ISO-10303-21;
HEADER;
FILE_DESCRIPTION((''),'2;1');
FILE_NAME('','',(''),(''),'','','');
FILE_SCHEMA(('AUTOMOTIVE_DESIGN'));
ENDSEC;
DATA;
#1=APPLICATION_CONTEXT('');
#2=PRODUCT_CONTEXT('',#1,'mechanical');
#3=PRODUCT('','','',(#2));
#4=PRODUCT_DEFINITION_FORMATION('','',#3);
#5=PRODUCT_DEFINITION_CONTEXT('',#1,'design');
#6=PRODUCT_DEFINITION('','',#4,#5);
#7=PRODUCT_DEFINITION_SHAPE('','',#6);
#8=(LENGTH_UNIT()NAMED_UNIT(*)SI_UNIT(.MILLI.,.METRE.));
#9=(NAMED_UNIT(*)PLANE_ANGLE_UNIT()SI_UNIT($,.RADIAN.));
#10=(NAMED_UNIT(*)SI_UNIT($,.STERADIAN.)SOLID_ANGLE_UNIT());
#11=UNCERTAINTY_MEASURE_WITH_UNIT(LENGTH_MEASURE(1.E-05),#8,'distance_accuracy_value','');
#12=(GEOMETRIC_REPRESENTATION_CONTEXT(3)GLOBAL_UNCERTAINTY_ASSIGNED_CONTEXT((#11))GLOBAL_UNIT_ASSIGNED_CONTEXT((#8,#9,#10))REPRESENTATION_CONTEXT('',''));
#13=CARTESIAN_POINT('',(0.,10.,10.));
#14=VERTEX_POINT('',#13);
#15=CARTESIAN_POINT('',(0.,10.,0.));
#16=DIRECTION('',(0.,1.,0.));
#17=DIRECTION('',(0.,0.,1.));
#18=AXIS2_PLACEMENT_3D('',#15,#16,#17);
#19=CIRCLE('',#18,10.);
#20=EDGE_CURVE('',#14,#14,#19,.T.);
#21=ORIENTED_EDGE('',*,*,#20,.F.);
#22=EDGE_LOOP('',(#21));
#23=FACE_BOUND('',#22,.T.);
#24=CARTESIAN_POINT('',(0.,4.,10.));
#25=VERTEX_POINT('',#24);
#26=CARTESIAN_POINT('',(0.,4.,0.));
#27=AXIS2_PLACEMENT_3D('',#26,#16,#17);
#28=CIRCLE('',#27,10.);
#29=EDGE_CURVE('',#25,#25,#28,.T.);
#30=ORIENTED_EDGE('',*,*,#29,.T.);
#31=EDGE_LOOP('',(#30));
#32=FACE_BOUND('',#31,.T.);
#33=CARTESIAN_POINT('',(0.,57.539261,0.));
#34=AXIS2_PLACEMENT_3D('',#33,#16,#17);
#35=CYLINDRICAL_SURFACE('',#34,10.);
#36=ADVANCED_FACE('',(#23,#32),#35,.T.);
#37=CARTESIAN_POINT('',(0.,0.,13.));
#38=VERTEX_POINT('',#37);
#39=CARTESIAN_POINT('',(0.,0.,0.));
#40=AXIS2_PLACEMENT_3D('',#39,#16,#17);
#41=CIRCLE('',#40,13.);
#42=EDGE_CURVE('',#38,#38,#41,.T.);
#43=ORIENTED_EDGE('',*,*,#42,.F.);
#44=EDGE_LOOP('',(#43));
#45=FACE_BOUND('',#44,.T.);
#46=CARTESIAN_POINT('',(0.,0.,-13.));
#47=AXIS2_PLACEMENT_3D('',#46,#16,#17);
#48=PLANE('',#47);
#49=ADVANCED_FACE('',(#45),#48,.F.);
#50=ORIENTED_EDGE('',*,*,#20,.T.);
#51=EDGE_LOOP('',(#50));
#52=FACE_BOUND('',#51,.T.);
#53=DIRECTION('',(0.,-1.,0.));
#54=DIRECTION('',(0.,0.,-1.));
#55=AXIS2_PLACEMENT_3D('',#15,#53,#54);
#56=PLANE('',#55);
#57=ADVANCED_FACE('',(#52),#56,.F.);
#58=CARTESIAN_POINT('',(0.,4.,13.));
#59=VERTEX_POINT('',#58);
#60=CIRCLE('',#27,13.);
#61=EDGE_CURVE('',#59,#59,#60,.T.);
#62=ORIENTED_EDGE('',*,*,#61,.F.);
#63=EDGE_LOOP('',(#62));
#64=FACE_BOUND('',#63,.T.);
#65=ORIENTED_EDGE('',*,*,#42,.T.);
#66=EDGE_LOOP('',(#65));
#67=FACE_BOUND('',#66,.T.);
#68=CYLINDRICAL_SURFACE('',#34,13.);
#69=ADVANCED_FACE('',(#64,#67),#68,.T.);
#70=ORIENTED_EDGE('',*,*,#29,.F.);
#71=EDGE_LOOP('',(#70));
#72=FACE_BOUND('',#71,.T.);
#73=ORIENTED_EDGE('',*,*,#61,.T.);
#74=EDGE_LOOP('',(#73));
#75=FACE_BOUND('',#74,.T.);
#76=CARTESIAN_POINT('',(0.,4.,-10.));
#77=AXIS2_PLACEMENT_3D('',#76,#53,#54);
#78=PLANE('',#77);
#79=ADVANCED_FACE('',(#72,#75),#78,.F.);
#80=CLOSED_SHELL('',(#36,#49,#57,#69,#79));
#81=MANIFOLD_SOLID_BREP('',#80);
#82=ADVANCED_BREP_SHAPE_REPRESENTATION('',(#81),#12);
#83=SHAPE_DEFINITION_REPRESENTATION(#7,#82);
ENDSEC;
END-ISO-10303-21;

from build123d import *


with BuildPart() as part:
    # Эскиз1 → Повернуть1 (revolve)
    with BuildSketch(Plane(origin=(0, 0, 0), x_dir=(0, 0, -1), z_dir=(1, 0, 0))):
        Polygon((0, 10), (10, 10), (10, 4), (13, 4), (13, 0), (0, 0), align=None)
    revolve(axis=Axis((0, 57.539261388, 0), (0, -1, 0)))


solid = part.part
